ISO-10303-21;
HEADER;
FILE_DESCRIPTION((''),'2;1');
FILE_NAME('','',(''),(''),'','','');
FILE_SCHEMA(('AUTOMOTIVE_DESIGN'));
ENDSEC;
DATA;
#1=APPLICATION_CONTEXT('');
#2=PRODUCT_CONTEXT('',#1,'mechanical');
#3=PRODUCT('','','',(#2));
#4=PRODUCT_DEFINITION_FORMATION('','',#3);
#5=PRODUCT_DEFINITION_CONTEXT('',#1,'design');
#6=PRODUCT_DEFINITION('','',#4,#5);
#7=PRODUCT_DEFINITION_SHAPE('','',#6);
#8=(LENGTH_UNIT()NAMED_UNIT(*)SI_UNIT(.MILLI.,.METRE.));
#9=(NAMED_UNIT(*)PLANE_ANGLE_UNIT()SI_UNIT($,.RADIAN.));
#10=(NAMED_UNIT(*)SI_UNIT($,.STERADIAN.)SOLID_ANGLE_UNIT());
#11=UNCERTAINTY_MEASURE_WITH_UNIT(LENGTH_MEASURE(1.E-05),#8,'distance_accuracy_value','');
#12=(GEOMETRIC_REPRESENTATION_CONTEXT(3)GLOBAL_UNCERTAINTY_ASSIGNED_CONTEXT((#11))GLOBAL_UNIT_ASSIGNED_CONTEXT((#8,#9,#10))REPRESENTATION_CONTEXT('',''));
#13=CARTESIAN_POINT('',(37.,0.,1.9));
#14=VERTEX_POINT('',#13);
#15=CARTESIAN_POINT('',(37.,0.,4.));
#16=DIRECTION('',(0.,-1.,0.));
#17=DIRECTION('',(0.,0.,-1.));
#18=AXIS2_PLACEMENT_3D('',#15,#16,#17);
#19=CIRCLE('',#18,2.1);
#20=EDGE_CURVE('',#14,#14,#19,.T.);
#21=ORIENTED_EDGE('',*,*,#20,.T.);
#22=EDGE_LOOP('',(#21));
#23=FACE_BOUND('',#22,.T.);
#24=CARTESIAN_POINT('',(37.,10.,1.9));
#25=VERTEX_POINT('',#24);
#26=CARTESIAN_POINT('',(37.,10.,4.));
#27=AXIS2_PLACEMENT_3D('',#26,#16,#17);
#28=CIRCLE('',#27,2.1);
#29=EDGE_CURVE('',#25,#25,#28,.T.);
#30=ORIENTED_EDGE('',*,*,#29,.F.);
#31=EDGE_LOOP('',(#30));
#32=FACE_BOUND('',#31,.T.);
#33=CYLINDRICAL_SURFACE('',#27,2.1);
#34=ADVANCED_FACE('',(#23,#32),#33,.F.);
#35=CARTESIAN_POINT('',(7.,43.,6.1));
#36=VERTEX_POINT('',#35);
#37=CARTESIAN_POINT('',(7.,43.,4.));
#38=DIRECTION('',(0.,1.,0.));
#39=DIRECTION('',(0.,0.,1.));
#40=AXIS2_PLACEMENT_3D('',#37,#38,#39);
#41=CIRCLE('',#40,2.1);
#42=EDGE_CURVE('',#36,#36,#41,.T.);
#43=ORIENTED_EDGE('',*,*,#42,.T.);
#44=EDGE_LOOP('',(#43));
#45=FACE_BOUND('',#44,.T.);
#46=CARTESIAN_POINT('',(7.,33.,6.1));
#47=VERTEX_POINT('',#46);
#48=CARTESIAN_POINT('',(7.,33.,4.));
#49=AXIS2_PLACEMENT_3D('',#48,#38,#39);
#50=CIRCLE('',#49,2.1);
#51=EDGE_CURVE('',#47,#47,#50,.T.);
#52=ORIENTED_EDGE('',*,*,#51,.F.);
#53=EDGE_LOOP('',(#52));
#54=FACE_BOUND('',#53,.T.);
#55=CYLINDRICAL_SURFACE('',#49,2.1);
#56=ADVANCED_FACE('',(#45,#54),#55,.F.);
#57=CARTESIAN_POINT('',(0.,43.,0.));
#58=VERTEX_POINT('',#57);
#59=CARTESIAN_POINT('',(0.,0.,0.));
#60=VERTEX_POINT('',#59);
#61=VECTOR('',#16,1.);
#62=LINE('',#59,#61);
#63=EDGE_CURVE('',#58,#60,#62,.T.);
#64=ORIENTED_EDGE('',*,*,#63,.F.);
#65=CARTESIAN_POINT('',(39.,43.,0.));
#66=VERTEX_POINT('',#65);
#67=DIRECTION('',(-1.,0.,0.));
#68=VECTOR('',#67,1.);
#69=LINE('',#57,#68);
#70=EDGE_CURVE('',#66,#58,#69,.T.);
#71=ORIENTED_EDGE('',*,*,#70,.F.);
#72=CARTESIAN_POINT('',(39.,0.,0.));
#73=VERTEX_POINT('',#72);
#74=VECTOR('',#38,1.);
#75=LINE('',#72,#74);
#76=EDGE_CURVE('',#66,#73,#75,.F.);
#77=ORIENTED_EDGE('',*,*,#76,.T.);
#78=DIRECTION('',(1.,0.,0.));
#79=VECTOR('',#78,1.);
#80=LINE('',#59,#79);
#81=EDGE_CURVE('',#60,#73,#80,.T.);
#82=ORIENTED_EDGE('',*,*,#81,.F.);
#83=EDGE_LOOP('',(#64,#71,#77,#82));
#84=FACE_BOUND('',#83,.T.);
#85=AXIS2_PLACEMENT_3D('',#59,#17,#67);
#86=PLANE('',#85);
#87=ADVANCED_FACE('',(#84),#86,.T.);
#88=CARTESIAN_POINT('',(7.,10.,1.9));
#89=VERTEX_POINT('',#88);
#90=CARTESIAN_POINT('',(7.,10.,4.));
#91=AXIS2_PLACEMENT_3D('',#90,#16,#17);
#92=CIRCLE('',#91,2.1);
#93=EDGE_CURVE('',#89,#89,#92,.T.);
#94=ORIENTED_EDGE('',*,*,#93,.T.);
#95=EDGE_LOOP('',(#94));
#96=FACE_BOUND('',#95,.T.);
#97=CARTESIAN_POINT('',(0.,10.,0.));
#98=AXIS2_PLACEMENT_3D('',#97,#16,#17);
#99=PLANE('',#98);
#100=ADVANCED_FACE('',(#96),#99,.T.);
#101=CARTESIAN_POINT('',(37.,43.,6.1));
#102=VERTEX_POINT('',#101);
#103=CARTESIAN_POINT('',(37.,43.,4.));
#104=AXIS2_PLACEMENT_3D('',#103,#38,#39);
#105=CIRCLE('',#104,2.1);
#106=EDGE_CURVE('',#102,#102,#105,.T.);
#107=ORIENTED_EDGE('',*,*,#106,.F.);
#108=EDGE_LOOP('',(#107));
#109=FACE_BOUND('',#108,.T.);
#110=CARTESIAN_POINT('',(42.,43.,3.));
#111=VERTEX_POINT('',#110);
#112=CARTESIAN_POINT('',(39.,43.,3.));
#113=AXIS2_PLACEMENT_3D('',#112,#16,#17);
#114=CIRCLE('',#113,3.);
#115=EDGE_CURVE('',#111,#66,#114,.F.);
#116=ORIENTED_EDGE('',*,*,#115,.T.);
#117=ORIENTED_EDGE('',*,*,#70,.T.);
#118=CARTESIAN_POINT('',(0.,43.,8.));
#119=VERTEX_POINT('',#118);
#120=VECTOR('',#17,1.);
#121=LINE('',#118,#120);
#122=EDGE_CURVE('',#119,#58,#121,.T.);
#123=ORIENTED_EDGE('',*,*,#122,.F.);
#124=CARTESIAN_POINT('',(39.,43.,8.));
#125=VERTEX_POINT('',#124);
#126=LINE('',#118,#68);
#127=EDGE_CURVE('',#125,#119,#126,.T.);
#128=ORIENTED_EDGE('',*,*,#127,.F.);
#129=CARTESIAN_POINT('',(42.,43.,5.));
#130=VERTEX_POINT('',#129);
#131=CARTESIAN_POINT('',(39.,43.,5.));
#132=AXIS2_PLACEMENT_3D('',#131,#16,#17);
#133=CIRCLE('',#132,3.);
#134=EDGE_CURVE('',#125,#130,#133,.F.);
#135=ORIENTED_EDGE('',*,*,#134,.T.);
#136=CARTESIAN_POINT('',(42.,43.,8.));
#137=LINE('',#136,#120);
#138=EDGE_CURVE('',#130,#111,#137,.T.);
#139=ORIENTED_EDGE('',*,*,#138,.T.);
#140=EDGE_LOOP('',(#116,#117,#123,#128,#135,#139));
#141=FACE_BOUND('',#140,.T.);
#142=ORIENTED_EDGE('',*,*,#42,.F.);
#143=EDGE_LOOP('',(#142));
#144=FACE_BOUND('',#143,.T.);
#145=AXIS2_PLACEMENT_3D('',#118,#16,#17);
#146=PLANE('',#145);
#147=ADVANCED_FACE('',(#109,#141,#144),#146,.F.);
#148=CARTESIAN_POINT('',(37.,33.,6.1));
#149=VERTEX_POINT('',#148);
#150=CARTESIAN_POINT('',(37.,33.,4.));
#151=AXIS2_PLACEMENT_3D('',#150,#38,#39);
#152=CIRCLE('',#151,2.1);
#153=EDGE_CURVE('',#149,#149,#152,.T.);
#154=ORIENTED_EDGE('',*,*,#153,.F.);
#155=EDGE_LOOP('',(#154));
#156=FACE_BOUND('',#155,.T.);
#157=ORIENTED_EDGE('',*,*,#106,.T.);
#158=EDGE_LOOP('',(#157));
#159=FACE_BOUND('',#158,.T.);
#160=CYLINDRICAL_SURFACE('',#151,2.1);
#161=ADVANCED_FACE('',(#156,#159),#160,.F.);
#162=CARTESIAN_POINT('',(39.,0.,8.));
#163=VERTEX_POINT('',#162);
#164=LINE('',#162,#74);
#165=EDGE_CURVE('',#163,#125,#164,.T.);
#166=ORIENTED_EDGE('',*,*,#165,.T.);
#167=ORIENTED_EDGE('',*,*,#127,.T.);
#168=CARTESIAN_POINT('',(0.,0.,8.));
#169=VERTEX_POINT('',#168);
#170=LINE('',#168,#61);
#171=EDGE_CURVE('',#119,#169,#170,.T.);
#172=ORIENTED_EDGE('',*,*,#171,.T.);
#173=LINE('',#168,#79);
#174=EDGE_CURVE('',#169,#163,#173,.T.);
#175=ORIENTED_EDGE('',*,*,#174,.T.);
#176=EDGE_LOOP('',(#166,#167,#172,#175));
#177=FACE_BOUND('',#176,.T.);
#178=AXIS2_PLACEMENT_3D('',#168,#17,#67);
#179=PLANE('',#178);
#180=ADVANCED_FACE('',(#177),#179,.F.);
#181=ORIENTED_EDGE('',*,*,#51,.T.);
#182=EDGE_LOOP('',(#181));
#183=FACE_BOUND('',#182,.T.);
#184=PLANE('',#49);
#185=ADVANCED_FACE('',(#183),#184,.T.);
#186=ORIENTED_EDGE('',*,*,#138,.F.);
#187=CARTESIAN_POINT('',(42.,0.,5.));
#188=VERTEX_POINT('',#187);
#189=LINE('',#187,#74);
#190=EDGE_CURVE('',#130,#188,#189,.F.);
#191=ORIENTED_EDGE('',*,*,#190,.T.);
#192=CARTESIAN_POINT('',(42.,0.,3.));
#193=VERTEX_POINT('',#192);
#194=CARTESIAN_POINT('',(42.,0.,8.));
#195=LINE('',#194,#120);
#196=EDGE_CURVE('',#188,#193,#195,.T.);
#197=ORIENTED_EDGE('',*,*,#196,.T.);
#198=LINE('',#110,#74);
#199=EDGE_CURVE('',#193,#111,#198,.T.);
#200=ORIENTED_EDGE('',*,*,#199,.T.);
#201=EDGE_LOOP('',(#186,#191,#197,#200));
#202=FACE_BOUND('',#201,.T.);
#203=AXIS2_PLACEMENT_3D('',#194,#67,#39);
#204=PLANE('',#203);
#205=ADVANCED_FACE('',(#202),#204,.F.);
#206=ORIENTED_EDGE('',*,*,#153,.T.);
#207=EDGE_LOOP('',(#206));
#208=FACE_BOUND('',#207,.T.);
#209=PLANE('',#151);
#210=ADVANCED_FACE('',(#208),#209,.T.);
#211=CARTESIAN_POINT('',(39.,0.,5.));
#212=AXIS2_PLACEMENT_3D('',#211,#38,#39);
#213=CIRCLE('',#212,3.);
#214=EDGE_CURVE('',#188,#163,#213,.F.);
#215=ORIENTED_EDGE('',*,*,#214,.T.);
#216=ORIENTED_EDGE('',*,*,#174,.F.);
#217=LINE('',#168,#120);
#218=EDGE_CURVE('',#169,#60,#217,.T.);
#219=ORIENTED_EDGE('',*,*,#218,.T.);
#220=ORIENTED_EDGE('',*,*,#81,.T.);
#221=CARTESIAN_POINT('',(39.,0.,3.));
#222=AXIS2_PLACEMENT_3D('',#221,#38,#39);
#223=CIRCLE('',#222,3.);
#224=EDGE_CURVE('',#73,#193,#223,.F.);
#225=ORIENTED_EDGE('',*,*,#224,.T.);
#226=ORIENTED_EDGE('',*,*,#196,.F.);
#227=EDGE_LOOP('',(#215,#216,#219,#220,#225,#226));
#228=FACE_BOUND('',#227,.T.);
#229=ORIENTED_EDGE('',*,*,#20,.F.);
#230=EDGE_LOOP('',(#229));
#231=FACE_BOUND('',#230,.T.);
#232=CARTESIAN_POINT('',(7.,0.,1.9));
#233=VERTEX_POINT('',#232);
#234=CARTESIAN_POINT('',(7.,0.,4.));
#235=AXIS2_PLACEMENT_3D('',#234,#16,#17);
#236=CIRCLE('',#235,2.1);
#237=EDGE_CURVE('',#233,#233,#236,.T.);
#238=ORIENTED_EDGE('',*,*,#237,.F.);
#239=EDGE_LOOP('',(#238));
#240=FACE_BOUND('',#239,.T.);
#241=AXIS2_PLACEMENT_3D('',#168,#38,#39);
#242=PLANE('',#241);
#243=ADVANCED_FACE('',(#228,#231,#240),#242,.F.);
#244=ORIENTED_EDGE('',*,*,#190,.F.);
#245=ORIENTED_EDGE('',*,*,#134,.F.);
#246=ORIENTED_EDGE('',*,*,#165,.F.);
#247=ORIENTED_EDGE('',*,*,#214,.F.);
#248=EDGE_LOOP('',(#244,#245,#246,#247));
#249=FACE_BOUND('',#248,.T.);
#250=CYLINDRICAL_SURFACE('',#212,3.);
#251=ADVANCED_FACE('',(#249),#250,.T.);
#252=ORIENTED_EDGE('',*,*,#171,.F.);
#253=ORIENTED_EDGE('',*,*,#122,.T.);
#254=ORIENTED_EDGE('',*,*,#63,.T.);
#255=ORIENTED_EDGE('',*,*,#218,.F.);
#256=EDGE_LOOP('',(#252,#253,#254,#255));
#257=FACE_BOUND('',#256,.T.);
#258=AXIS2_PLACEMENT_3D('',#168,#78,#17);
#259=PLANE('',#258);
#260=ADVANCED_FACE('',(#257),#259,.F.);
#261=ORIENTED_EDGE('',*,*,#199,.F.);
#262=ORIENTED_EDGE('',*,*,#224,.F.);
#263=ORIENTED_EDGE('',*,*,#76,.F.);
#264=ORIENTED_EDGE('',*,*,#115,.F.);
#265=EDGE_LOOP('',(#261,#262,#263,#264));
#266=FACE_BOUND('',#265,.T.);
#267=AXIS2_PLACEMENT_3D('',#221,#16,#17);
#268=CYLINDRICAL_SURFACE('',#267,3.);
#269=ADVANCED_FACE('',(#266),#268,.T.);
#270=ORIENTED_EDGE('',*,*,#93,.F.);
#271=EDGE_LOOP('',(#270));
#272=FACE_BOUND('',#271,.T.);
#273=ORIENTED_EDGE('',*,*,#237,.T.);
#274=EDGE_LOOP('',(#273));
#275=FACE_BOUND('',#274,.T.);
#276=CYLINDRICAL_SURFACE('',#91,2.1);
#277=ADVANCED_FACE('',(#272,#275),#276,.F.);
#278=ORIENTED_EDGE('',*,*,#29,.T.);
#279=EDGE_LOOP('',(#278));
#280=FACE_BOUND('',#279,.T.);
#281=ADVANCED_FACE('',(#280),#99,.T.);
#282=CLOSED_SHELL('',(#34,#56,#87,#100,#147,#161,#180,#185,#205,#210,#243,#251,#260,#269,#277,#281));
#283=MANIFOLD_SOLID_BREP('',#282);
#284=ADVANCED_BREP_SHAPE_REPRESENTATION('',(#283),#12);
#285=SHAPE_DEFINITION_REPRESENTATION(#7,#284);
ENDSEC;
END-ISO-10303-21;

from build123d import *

# Parameters (mm, degrees)
SKETCH1_W           = 42
SKETCH1_H           = 43
BOSS_EXTRUDE1_DEPTH = 8
SKETCH2_R           = 2.1
CUT_EXTRUDE1_DEPTH  = 10
SKETCH3_R           = 2.1
CUT_EXTRUDE2_DEPTH  = 10
FILLET1_R           = 3


with BuildPart() as part:
    # Sketch1 → Boss-Extrude1 (new body)
    with BuildSketch(Plane.XY):
        with Locations((21, 21.5)):
            Rectangle(SKETCH1_W, SKETCH1_H)
    extrude(amount=BOSS_EXTRUDE1_DEPTH)

    # Sketch2 → Cut-Extrude1 (cut)
    with BuildSketch(Plane.XZ):
        with Locations((37, 4)):
            Circle(SKETCH2_R)
        with Locations((7, 4)):
            Circle(SKETCH2_R)
    extrude(amount=-CUT_EXTRUDE1_DEPTH, mode=Mode.SUBTRACT)

    # Sketch3 → Cut-Extrude2 (cut)
    with BuildSketch(Plane(origin=(0, 43, 0), x_dir=(1, 0, 0), z_dir=(0, 1, 0))):
        with Locations((37, -4)):
            Circle(SKETCH3_R)
        with Locations((7, -4)):
            Circle(SKETCH3_R)
    extrude(amount=-CUT_EXTRUDE2_DEPTH, mode=Mode.SUBTRACT)

    # Fillet1
    fillet1_edges = [part.edges().sort_by_distance(p)[0] for p in [
        (42, 21.5, 8),
        (42, 21.5, 0),
    ]]
    fillet(fillet1_edges, radius=FILLET1_R)


solid = part.part
